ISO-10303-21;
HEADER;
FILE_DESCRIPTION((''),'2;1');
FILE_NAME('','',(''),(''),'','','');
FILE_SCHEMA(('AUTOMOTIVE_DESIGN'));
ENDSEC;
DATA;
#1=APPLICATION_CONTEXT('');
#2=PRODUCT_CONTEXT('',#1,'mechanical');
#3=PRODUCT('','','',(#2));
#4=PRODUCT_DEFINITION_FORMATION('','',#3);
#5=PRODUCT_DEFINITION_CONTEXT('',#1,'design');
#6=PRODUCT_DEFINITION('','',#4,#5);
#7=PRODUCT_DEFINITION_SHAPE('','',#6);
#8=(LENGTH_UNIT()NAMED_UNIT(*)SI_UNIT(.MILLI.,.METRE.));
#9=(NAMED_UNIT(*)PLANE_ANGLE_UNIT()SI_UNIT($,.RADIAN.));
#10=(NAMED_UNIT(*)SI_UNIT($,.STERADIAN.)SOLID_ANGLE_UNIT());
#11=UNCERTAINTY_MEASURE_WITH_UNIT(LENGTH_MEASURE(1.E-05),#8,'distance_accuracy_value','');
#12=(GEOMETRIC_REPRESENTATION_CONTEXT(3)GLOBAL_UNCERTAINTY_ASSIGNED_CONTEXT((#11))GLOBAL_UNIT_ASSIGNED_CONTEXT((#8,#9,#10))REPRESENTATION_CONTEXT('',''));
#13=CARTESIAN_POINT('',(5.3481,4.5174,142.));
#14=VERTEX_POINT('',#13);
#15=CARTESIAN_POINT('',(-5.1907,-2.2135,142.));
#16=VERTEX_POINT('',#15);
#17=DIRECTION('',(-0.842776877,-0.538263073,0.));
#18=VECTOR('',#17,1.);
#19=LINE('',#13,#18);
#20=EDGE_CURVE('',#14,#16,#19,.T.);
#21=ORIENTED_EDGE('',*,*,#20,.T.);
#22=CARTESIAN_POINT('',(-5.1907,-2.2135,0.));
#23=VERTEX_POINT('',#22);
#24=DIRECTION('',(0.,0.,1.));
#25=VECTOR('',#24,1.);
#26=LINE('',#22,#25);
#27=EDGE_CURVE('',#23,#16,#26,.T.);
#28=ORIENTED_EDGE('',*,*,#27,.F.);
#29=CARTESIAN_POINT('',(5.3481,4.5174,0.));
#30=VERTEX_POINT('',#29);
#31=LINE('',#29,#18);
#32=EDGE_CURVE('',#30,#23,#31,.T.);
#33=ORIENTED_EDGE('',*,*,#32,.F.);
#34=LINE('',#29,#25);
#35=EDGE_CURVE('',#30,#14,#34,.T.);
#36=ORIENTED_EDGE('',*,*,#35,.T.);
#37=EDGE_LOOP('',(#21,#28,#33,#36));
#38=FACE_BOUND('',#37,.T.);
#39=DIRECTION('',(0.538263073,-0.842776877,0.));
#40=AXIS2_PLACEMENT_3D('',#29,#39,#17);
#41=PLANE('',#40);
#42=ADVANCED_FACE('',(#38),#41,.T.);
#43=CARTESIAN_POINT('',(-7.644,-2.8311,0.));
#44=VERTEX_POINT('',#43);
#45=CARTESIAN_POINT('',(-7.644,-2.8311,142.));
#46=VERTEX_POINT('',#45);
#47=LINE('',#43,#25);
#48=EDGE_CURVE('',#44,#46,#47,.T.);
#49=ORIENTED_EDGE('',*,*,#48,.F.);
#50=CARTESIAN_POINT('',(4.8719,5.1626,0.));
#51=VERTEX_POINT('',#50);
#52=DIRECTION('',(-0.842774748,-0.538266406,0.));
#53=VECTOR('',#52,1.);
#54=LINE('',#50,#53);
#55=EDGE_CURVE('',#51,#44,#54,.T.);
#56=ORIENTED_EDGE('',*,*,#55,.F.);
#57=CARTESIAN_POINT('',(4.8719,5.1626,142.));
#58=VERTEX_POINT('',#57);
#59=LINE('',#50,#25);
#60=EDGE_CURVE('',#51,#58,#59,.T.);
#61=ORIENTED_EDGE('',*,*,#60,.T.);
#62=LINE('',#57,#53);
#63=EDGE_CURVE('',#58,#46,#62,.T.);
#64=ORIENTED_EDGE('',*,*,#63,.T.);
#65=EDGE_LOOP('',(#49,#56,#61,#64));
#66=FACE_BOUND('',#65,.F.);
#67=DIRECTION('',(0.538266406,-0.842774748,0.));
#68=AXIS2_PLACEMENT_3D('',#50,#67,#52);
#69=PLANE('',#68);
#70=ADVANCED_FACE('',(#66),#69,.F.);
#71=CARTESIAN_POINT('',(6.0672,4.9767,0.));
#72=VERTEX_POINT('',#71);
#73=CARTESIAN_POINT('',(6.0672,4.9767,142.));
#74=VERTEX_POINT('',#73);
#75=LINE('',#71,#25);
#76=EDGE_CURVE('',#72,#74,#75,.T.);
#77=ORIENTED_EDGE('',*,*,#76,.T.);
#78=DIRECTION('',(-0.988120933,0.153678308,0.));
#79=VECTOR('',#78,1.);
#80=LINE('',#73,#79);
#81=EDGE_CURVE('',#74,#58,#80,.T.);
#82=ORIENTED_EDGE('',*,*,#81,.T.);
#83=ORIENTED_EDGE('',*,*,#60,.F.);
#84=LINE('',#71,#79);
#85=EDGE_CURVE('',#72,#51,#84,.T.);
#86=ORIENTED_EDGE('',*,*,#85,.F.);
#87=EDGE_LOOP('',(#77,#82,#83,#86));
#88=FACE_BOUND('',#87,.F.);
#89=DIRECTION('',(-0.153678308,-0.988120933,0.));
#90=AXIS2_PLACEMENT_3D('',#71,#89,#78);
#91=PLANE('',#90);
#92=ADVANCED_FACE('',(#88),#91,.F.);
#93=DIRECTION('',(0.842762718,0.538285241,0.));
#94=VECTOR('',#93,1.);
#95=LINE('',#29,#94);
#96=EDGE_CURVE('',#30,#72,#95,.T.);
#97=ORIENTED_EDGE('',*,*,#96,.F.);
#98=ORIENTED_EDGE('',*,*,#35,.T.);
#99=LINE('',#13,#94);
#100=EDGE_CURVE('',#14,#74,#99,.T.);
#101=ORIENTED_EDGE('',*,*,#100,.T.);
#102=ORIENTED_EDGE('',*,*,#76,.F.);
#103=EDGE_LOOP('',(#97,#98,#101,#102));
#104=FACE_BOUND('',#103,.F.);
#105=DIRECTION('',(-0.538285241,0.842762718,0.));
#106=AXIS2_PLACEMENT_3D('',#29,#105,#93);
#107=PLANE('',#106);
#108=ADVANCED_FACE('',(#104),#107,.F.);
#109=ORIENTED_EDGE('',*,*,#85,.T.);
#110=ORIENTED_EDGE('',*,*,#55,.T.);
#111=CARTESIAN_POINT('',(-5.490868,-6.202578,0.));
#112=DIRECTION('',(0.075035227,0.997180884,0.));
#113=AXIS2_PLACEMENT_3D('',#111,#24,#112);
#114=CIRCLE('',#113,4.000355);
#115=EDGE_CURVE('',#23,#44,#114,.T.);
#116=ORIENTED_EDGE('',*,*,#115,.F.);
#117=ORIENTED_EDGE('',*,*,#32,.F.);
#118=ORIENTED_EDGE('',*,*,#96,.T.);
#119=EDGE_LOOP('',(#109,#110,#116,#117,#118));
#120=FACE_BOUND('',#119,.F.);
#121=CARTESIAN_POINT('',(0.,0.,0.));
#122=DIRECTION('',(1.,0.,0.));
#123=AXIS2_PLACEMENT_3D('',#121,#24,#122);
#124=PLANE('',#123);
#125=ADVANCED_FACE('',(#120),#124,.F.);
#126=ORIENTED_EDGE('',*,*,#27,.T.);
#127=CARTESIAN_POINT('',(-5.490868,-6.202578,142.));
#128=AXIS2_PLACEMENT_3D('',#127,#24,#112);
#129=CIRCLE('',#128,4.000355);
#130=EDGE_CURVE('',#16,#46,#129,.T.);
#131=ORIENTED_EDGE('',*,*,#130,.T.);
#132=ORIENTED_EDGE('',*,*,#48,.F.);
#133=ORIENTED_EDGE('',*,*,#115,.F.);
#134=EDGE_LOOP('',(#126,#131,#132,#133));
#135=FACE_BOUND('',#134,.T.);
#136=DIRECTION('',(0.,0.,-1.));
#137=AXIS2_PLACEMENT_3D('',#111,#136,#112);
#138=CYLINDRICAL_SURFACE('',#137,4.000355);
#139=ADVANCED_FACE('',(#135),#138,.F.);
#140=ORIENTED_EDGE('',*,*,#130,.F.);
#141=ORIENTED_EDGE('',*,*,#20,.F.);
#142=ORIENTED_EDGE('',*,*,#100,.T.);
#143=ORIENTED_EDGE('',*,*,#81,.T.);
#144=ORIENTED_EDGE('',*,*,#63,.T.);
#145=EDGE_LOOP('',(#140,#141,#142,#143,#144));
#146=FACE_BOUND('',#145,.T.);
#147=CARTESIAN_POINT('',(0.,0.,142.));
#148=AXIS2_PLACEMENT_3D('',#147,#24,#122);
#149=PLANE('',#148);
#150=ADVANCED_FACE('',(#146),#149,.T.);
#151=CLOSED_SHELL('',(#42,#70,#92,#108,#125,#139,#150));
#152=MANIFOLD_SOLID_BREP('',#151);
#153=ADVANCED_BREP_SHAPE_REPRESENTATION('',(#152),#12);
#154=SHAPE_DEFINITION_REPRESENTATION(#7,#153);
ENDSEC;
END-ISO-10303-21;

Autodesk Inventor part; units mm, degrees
ref_plane "YZ Plane" through (0, 0, 0) normal (1, 0, 0) x (0, 1, 0)
ref_plane "XZ Plane" through (0, 0, 0) normal (0, 1, 0) x (-1, 0, 0)
ref_plane "XY Plane" through (0, 0, 0) normal (0, 0, 1) x (1, 0, 0)
sketch "Sketch2" plane through (0, 0, 0) normal (0, 0, 1) x (1, 0, 0)
  line L0 (4.8719, 5.1626) -> (-7.644, -2.8311)
  line L1 (5.3481, 4.5174) -> (-5.1907, -2.2135)
  line L2 (5.3481, 4.5174) -> (6.0672, 4.9767)
  arc A0 (-5.1907, -2.2135) -> (-7.644, -2.8311) centre (-5.4909, -6.2022) ccw
  line L3 (6.0672, 4.9767) -> (4.8719, 5.1626)
  point P0 (5.2456, 5.1046)
  dimension "d8" = 0.8
  dimension "d9" = 8
extrude "Extrusion2" add sketch "Sketch2" along normal blind 142
properties part number "2P.03.01.06.IM.AileronCutFill" material "Wood (Birch)"
